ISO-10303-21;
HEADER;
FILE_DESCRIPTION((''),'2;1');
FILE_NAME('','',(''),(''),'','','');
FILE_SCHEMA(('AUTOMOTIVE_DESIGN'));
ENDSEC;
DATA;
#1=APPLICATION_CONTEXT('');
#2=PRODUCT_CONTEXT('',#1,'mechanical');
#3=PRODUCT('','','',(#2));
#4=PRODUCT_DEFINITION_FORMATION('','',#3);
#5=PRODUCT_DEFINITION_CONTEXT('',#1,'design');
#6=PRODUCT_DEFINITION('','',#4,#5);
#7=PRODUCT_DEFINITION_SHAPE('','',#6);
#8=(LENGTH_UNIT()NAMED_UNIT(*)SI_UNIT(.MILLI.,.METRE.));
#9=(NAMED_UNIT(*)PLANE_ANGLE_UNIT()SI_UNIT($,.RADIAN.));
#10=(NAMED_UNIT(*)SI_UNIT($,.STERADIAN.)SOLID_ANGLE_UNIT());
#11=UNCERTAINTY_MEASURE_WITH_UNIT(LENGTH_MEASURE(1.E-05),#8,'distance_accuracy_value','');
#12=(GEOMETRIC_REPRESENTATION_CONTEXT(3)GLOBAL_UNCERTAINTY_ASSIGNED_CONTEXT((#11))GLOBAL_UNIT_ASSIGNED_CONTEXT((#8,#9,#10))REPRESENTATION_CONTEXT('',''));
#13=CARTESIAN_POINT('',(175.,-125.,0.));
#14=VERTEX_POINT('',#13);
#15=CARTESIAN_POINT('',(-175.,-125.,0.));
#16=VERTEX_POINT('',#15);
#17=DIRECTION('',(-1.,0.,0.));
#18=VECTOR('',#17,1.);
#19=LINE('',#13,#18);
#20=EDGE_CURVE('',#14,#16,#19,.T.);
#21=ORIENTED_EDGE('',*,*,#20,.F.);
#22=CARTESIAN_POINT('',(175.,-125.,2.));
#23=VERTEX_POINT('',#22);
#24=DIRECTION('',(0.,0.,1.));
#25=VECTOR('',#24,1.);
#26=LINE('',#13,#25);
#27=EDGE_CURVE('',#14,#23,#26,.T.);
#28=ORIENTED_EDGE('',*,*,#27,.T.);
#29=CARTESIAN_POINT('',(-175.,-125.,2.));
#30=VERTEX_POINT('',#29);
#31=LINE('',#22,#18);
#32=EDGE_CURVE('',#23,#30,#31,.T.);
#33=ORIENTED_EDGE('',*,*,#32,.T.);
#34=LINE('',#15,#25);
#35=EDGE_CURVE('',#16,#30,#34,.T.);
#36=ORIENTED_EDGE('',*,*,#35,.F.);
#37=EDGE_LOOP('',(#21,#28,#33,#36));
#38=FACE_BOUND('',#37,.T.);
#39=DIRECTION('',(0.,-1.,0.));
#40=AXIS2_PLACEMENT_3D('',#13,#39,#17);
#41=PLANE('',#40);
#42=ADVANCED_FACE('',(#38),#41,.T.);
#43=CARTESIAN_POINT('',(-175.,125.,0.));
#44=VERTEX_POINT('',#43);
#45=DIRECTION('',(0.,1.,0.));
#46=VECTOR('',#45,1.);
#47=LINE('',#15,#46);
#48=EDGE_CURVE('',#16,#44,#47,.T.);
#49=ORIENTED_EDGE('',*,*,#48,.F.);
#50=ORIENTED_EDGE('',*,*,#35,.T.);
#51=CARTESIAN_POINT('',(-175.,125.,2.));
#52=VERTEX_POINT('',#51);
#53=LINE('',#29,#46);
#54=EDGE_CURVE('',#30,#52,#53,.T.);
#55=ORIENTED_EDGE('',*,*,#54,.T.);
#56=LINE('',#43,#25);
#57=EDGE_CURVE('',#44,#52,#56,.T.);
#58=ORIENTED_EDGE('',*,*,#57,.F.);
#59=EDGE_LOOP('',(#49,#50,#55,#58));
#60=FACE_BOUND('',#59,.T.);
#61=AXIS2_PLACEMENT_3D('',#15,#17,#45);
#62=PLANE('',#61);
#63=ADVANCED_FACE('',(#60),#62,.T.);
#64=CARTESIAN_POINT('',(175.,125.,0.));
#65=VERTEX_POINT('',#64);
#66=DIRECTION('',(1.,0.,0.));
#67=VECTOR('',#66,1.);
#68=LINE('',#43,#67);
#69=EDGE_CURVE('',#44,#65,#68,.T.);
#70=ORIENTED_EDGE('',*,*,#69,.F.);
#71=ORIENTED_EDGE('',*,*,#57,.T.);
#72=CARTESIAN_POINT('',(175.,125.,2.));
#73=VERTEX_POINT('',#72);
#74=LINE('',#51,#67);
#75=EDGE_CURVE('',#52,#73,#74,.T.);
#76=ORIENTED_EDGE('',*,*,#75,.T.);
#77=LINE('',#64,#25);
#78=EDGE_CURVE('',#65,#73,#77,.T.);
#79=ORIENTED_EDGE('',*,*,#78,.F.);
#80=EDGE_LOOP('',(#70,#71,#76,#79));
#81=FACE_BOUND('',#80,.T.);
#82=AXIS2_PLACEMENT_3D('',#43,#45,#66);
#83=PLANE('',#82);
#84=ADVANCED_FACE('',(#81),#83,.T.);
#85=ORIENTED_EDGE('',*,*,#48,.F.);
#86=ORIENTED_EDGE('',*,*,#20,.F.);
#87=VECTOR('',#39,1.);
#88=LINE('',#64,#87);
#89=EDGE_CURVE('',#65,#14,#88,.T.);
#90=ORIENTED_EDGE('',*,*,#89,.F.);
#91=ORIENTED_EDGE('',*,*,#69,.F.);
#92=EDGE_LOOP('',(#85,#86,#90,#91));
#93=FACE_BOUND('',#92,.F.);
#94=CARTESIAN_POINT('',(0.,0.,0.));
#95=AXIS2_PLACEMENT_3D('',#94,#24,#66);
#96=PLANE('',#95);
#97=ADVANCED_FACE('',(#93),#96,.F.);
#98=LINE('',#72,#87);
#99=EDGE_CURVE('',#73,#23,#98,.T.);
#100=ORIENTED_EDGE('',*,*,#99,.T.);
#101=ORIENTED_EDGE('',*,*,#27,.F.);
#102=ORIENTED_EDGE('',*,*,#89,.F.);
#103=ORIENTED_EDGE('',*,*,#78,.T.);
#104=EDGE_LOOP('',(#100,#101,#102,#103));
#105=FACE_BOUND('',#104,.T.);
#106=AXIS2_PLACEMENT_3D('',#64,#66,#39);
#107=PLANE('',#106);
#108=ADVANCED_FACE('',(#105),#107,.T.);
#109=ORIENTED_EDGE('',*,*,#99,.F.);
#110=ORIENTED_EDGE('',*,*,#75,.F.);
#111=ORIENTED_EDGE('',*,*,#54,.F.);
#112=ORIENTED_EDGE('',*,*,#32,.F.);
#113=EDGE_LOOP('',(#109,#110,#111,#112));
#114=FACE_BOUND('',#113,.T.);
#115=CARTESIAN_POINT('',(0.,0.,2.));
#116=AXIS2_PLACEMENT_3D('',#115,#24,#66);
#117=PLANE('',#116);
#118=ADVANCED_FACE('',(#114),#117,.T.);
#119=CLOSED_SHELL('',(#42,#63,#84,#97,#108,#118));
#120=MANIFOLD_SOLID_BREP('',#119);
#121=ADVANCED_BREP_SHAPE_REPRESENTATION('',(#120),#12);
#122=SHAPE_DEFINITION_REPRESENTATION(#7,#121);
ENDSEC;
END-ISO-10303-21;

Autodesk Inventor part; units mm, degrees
ref_plane "YZ Plane" through (0, 0, 0) normal (1, 0, 0) x (0, 1, 0)
ref_plane "XZ Plane" through (0, 0, 0) normal (0, 1, 0) x (-1, 0, 0)
ref_plane "XY Plane" through (0, 0, 0) normal (0, 0, 1) x (1, 0, 0)
sketch "Sketch1" plane through (0, 0, 0) normal (0, 0, 1) x (1, 0, 0)
  line L0 (-175, 125) -> (175, 125)
  line L1 (175, 125) -> (175, -125)
  line L2 (175, -125) -> (-175, -125)
  line L3 (-175, -125) -> (-175, 125)
  line L4 (-175, 125) -> (175, -125) construction
  line L5 (175, 125) -> (-175, -125) construction
  point P0 (0, 0)
  dimension "d0" = 350
  dimension "d1" = 250
extrude "Plate1" add sketch "Sketch1" along normal blind 2
equation "\"d2\" = Thickness"
equation "\"BendRadius\" = Thickness"
equation "\"BendReliefWidth\" = Thickness"
equation "\"BendReliefDepth\" = 0.5 * Thickness"
equation "\"CornerReliefSize\" = 4 * Thickness"
equation "\"MinimumRemnant\" = 2 * Thickness"
equation "\"TransitionRadius\" = BendRadius"
equation "\"JacobiRadiusSize\" = BendRadius"
equation "\"GapSize\" = Thickness"
equation "\"Thickness\" = 2"
properties part number "CONTROL_ONDERKANT"
